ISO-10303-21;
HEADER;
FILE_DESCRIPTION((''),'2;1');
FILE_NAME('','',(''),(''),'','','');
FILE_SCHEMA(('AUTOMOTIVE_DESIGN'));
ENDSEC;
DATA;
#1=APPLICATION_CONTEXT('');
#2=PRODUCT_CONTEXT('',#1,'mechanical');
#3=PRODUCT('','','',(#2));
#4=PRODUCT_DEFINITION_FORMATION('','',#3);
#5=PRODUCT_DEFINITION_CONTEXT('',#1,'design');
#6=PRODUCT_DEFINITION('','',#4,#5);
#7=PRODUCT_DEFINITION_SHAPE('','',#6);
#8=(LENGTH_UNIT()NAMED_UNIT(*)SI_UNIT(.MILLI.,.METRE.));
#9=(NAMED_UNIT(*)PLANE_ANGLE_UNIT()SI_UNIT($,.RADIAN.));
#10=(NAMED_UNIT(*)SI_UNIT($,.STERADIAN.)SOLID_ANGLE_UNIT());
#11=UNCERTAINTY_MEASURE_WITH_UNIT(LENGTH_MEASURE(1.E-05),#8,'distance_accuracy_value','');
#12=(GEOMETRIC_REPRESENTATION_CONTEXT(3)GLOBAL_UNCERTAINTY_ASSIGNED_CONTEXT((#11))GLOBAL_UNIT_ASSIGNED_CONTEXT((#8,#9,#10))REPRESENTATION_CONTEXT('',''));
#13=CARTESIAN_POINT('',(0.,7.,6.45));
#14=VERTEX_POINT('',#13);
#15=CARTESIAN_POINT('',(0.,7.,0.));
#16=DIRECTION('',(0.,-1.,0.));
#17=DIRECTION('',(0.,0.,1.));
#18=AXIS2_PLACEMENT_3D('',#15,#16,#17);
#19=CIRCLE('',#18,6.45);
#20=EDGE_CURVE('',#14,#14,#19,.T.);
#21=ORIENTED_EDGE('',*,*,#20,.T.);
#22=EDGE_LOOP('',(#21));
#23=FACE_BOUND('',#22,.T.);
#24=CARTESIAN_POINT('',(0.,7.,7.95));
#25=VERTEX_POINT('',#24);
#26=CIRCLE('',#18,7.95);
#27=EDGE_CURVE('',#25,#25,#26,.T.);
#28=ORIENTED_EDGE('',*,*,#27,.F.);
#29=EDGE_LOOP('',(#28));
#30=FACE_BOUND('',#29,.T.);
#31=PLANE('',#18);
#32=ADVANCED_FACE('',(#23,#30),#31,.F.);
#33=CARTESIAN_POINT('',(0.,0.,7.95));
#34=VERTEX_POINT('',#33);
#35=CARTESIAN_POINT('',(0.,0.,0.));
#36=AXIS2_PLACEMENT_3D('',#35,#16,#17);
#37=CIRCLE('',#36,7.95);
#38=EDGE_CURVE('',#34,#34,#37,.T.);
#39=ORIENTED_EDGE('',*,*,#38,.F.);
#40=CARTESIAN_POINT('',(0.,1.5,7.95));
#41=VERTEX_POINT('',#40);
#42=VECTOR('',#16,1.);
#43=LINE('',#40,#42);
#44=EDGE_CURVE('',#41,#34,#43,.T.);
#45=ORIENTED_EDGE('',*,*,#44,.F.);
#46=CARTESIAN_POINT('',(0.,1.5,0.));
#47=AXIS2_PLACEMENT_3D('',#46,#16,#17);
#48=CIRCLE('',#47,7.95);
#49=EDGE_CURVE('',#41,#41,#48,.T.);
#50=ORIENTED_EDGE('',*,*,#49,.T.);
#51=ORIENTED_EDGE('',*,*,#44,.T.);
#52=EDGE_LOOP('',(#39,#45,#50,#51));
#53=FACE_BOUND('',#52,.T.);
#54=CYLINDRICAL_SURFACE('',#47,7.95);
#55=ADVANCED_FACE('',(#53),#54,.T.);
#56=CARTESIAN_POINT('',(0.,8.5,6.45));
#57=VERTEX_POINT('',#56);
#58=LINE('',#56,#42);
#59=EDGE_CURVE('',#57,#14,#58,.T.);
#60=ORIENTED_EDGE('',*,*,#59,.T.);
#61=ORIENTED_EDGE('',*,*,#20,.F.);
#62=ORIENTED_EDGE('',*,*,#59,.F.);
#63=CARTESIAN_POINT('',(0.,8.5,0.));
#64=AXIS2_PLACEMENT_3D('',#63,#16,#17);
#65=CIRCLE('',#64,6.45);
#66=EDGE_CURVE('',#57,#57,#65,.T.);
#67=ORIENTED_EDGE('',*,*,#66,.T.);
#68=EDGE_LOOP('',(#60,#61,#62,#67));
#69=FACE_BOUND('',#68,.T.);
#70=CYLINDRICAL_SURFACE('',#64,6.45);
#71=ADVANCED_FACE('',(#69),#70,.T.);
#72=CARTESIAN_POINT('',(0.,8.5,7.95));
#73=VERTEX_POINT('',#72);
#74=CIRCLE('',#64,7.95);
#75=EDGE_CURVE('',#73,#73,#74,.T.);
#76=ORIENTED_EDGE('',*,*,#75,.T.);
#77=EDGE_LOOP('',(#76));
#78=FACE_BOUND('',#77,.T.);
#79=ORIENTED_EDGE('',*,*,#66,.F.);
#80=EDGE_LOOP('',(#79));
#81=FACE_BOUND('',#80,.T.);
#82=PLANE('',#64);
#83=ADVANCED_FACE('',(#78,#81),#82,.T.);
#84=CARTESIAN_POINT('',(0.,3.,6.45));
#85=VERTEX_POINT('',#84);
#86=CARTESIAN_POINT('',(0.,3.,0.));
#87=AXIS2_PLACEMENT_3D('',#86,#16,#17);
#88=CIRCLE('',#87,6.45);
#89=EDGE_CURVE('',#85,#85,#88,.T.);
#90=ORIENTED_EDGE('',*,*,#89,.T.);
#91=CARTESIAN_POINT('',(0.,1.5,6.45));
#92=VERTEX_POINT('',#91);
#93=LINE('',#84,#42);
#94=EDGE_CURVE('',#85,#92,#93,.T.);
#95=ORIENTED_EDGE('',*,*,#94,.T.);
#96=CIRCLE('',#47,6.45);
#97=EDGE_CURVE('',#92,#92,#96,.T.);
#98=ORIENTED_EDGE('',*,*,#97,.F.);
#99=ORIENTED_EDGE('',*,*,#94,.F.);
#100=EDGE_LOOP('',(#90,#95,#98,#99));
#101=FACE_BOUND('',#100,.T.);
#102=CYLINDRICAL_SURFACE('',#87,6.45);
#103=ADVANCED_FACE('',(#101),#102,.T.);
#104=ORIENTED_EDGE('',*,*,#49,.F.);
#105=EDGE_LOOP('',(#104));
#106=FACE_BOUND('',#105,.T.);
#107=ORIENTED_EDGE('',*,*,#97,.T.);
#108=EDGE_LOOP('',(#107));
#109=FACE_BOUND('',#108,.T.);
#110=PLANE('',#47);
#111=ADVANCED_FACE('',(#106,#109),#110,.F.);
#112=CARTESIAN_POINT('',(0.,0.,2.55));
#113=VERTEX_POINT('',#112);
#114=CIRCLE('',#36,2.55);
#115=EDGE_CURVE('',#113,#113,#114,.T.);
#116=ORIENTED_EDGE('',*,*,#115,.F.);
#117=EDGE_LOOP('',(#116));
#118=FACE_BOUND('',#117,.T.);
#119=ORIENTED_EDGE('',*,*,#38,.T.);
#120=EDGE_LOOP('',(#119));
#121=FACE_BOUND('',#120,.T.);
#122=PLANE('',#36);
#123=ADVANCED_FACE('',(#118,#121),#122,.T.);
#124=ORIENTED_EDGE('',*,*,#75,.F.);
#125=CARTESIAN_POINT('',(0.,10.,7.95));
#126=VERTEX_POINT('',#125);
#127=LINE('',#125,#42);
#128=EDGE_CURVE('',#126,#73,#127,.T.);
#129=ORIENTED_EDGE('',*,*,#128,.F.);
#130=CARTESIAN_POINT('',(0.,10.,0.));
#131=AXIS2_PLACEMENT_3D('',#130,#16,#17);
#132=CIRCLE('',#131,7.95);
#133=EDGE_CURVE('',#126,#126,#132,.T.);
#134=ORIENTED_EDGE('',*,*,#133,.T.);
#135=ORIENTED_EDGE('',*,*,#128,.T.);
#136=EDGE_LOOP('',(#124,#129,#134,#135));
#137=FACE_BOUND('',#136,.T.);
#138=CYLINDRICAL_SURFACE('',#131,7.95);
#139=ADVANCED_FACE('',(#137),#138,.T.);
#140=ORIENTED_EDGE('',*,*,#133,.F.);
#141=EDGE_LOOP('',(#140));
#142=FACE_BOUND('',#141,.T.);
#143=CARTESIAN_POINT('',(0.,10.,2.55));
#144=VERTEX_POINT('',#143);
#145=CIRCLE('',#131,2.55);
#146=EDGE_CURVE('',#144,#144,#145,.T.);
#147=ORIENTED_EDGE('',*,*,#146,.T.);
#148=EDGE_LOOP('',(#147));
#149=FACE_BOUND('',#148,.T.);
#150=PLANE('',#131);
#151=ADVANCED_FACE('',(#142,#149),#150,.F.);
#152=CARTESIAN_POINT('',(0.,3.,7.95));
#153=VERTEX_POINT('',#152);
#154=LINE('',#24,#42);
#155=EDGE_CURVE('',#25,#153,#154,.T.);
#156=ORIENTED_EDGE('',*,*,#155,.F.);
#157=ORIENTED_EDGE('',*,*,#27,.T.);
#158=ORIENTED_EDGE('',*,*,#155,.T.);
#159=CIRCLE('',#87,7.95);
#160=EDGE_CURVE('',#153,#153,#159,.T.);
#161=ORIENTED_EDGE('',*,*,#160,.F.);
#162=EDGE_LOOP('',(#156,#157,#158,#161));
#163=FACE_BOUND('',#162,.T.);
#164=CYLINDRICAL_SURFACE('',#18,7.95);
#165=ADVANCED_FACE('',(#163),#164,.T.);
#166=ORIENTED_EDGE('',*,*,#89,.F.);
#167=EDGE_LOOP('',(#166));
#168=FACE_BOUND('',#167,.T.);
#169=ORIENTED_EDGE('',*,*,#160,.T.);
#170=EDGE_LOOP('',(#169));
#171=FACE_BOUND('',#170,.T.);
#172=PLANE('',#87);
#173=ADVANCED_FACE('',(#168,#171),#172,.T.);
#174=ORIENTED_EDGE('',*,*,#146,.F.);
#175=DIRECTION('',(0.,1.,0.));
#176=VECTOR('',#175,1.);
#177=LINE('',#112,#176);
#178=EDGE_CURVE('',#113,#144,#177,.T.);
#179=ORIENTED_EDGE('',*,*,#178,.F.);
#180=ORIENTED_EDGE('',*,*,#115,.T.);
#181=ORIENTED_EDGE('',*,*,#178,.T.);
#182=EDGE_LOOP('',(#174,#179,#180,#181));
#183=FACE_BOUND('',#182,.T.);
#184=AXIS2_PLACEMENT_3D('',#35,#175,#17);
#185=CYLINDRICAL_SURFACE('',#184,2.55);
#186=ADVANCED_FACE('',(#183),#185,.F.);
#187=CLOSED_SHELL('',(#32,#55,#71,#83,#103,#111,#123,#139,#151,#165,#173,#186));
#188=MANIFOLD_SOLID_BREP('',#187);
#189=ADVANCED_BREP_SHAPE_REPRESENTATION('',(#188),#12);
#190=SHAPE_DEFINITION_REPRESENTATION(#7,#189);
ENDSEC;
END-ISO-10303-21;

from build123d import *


with BuildPart() as f1:
    # F0 (on Right) → F1 (revolve)
    with BuildSketch(Plane.YZ):
        Polygon((0, 2.55), (10, 2.55), (10, 4.42), (10, 7.95), (8.5, 7.95), (8.5, 6.45), (7, 6.45), (7, 7.95), (3, 7.95), (3, 6.45), (1.5, 6.45), (1.5, 7.95), (0, 7.95), align=None)
    revolve(axis=Axis((0, 5.735075, 0), (0, -1, 0)))


solid = f1.part
